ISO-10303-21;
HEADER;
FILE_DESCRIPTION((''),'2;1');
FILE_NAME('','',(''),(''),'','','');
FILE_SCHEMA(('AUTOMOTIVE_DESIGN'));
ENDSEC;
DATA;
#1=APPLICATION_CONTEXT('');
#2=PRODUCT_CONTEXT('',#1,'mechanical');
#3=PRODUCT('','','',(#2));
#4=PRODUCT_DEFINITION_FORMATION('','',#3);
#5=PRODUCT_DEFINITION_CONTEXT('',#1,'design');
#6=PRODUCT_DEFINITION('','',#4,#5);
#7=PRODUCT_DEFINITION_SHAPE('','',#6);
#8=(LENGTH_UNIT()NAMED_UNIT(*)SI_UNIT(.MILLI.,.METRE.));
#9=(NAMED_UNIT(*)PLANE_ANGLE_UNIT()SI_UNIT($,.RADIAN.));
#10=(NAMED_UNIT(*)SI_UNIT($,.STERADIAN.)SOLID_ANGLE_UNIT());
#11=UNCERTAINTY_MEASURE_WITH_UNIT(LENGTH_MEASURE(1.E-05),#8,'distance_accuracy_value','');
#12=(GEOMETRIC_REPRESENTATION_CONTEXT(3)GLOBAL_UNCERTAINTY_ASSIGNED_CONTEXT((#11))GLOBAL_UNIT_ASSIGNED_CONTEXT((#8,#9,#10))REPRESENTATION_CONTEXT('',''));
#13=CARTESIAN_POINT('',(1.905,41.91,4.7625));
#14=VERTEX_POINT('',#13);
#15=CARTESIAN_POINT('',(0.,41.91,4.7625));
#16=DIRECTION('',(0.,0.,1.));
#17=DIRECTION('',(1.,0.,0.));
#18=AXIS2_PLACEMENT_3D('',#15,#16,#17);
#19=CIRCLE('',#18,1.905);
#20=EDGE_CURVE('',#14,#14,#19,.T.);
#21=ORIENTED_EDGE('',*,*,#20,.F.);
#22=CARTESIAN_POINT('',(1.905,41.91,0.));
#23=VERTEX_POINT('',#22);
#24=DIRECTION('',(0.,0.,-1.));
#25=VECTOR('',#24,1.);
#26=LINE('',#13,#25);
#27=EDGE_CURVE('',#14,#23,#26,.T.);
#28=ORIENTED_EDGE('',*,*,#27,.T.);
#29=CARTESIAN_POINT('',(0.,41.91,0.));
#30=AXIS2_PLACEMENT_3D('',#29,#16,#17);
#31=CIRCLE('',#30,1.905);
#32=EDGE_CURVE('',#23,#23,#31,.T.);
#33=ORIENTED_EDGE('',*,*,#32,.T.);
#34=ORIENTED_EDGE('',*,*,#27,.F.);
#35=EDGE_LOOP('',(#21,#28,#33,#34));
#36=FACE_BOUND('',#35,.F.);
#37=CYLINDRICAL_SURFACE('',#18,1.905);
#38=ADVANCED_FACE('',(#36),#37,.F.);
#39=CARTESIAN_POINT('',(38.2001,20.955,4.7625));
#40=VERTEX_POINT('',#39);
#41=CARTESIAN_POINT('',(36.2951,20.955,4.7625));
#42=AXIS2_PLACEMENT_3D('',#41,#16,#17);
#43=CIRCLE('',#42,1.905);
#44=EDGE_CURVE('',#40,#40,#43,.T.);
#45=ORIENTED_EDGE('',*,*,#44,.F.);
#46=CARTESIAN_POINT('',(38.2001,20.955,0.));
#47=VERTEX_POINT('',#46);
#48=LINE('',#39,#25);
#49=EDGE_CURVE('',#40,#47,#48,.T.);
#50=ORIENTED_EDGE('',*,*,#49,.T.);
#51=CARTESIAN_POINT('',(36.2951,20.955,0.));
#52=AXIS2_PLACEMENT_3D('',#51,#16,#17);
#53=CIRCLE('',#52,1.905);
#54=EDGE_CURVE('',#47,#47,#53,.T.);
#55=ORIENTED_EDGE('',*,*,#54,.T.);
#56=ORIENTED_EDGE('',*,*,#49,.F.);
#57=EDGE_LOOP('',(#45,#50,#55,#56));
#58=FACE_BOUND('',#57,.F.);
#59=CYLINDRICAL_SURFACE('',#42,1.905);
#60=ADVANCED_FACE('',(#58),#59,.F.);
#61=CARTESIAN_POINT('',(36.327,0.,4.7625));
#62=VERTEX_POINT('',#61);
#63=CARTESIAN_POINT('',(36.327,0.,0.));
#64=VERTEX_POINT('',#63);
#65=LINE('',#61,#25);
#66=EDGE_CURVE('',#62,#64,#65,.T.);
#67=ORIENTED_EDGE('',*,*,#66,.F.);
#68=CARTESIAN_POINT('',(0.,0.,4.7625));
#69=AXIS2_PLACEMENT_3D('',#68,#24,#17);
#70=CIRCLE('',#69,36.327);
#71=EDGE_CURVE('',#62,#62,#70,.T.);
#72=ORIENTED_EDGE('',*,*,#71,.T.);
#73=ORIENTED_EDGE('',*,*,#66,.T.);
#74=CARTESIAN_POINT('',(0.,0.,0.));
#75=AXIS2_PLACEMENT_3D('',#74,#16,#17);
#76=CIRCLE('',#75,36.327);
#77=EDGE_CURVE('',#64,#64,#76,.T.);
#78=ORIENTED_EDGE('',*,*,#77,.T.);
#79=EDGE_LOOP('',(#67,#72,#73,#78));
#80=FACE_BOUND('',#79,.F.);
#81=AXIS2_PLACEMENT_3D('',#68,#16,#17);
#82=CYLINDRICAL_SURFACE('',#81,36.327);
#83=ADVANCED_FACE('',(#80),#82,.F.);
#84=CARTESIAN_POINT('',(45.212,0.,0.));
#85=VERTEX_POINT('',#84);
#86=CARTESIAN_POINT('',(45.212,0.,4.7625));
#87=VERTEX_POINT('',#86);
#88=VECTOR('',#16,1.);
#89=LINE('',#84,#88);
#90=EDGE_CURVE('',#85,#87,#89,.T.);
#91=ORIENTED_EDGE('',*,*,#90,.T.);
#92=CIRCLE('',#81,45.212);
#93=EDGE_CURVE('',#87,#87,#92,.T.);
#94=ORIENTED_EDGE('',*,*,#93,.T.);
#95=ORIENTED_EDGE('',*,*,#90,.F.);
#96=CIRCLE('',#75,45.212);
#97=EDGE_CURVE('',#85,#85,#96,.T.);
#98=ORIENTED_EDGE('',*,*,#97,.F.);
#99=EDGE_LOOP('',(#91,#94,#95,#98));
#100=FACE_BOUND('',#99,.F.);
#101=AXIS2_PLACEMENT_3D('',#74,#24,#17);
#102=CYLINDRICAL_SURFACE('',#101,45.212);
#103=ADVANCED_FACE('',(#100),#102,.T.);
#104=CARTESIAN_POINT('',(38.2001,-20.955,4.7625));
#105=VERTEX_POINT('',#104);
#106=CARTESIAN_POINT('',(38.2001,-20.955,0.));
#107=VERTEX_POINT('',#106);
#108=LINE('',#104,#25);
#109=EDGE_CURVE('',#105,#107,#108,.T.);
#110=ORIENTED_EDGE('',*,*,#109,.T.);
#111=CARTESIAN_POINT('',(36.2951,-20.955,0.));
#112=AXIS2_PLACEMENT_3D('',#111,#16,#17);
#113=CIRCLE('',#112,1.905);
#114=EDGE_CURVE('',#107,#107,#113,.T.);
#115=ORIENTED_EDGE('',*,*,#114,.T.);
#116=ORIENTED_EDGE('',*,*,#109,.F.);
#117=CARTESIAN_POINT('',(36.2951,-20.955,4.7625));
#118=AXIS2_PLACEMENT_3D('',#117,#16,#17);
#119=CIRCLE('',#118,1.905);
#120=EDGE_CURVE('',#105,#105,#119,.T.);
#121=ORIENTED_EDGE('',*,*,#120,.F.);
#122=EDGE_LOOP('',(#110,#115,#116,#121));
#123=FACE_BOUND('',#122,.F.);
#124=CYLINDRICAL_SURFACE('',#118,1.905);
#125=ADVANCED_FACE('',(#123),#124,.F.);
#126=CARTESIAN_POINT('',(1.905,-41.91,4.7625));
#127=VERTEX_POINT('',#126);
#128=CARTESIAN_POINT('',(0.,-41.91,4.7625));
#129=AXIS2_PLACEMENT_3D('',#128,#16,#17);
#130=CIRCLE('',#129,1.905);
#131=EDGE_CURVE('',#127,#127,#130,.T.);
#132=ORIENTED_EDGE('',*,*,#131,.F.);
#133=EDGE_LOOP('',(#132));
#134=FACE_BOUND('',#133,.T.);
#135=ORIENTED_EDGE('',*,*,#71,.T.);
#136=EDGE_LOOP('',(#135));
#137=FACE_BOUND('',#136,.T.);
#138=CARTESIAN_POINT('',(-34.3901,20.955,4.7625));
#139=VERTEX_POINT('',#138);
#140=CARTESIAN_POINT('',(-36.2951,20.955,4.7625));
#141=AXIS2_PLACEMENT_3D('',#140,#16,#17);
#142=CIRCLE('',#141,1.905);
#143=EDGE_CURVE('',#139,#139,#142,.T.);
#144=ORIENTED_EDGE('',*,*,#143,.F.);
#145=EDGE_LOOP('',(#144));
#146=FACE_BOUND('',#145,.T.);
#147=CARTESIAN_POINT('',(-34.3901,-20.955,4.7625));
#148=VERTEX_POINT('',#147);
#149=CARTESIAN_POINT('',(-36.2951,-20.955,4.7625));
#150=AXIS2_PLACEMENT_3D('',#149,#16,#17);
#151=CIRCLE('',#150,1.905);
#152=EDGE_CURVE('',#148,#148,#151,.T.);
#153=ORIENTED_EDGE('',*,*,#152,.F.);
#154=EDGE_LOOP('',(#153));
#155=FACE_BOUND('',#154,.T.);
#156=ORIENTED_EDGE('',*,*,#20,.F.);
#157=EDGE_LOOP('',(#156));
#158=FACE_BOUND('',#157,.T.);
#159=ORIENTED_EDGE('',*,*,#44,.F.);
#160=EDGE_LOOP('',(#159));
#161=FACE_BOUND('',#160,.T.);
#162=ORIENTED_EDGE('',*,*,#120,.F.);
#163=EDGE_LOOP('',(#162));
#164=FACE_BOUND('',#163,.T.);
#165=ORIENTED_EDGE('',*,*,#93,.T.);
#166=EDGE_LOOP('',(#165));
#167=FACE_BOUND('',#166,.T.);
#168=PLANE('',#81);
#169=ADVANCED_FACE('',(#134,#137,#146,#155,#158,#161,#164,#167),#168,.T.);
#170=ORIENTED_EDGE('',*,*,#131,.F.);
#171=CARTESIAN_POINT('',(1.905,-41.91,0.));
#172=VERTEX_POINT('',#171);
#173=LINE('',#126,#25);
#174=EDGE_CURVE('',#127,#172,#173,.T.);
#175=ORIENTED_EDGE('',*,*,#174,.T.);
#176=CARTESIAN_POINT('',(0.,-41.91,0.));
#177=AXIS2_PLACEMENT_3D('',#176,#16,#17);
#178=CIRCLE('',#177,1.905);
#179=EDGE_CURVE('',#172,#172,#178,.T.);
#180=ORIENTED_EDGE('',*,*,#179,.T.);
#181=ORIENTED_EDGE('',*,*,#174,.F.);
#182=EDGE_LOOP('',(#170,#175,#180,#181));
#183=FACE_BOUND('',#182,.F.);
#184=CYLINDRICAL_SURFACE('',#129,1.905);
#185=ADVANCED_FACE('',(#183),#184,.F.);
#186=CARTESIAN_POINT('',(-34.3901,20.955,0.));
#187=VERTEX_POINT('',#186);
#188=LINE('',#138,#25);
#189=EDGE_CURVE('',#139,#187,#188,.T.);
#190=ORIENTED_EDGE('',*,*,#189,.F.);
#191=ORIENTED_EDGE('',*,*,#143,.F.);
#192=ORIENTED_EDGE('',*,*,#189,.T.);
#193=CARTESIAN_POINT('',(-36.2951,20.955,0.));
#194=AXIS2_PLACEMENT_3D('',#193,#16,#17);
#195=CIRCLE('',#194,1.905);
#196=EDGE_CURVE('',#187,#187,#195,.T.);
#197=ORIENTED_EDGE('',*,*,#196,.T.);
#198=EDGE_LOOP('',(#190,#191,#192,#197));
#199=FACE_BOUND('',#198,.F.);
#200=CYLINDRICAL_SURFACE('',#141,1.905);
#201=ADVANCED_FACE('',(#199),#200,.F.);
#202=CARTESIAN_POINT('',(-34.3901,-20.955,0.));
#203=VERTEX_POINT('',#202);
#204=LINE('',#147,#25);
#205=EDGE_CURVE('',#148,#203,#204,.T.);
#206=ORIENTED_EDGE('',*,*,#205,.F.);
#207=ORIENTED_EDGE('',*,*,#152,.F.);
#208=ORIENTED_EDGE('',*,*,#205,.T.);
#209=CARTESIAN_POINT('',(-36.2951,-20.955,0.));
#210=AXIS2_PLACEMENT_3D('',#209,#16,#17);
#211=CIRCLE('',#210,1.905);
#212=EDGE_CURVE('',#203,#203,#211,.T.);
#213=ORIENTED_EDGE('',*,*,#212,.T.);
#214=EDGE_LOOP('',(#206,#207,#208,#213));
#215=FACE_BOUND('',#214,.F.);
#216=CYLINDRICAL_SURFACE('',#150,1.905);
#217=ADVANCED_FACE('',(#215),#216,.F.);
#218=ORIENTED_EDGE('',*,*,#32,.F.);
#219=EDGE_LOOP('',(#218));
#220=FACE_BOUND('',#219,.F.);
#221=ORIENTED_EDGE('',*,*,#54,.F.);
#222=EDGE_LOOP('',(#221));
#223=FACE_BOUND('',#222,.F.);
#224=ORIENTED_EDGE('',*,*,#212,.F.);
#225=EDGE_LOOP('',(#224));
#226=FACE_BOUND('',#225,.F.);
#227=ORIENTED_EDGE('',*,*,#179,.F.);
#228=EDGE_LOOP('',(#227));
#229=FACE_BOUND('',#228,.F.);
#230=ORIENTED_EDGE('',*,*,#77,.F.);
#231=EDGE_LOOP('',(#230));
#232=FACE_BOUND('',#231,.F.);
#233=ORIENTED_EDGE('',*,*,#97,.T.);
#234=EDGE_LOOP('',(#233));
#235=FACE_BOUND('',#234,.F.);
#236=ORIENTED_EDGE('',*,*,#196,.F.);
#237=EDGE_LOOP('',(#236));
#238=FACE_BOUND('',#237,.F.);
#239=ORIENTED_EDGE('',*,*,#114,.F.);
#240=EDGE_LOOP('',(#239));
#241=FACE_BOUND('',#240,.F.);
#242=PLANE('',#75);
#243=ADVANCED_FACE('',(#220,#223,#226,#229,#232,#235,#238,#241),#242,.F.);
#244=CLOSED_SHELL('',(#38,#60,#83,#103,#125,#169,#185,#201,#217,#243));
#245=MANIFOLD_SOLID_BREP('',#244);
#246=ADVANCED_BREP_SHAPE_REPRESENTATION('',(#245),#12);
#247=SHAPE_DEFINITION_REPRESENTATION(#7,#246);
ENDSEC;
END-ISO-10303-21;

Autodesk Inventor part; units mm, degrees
ref_plane "YZ Plane" through (0, 0, 0) normal (1, 0, 0) x (0, 1, 0)
ref_plane "XZ Plane" through (0, 0, 0) normal (0, 1, 0) x (-1, 0, 0)
ref_plane "XY Plane" through (0, 0, 0) normal (0, 0, 1) x (1, 0, 0)
sketch "Sketch1" plane through (0, 0, 0) normal (0, 0, 1) x (1, 0, 0)
  circle A0 centre (0, 0) radius 45.212
  dimension "d0" = 90.424
extrude "Extrusion1" add sketch "Sketch1" along normal blind 4.7625
sketch "Sketch2" plane through (0, 0, 0) normal (0, 0, -1) x (-1, 0, 0)
  circle A0 centre (0, 0) radius 25.4
  dimension "d3" = 50.8
extrude "Extrusion2" cut sketch "Sketch2" against normal blind 4.7625
sketch "Sketch4" plane through (0, 0, 4.7625) normal (0, 0, 1) x (1, 0, 0)
  circle A0 centre (0, 41.91) radius 1.905
  circle A1 centre (-36.2951, 20.955) radius 1.905
  circle A2 centre (-36.2951, -20.955) radius 1.905
  circle A3 centre (0, -41.91) radius 1.905
  circle A4 centre (36.2951, -20.955) radius 1.905
  circle A5 centre (36.2951, 20.955) radius 1.905
  point P0 (0, 0)
  dimension "d14" = 3.81
  dimension "d15" = 41.91
  dimension "d18" = 360
extrude "Extrusion4" cut sketch "Sketch4" against normal blind 25.4
sketch "Sketch5" plane through (0, 0, 4.7625) normal (0, 0, 1) x (1, 0, 0)
  circle A0 centre (20.795, 25.8191) radius 3.175
  line L0 (0, 0) -> (0, 18.2107)
  circle A1 centre (-20.795, 25.8191) radius 3.175
  dimension "d22" = 6.35
  dimension "d23" = 25.8191
  dimension "d24" = 20.795
extrude "Extrusion5" cut sketch "Sketch5" against normal blind 25.4
sketch "Sketch6" plane through (0, 0, 4.7625) normal (0, 0, 1) x (1, 0, 0)
  circle A0 centre (20.795, 25.8191) radius 3.175 projected
  circle A1 centre (-20.795, 25.8191) radius 3.175 projected
  circle A2 centre (36.2951, -20.955) radius 1.905 projected
  circle A3 centre (-36.2951, -20.955) radius 1.905 projected
  circle A4 centre (0, 41.91) radius 1.905 projected
  circle A5 centre (-36.2951, 20.955) radius 1.905 projected
  circle A6 centre (0, -41.91) radius 1.905 projected
  circle A7 centre (36.2951, 20.955) radius 1.905 projected
  circle A8 centre (0, 0) radius 25.4 projected
  circle A9 centre (0, 0) radius 45.212 projected
  circle A10 centre (0, 0) radius 36.327
  circle A11 centre (-20.795, 25.8191) radius 3.175 projected
extrude "Extrusion6" cut sketch "Sketch6" against normal blind 25.4 contours A10
properties part number "AluminumSealingDisc" material "Aluminum 6061"
